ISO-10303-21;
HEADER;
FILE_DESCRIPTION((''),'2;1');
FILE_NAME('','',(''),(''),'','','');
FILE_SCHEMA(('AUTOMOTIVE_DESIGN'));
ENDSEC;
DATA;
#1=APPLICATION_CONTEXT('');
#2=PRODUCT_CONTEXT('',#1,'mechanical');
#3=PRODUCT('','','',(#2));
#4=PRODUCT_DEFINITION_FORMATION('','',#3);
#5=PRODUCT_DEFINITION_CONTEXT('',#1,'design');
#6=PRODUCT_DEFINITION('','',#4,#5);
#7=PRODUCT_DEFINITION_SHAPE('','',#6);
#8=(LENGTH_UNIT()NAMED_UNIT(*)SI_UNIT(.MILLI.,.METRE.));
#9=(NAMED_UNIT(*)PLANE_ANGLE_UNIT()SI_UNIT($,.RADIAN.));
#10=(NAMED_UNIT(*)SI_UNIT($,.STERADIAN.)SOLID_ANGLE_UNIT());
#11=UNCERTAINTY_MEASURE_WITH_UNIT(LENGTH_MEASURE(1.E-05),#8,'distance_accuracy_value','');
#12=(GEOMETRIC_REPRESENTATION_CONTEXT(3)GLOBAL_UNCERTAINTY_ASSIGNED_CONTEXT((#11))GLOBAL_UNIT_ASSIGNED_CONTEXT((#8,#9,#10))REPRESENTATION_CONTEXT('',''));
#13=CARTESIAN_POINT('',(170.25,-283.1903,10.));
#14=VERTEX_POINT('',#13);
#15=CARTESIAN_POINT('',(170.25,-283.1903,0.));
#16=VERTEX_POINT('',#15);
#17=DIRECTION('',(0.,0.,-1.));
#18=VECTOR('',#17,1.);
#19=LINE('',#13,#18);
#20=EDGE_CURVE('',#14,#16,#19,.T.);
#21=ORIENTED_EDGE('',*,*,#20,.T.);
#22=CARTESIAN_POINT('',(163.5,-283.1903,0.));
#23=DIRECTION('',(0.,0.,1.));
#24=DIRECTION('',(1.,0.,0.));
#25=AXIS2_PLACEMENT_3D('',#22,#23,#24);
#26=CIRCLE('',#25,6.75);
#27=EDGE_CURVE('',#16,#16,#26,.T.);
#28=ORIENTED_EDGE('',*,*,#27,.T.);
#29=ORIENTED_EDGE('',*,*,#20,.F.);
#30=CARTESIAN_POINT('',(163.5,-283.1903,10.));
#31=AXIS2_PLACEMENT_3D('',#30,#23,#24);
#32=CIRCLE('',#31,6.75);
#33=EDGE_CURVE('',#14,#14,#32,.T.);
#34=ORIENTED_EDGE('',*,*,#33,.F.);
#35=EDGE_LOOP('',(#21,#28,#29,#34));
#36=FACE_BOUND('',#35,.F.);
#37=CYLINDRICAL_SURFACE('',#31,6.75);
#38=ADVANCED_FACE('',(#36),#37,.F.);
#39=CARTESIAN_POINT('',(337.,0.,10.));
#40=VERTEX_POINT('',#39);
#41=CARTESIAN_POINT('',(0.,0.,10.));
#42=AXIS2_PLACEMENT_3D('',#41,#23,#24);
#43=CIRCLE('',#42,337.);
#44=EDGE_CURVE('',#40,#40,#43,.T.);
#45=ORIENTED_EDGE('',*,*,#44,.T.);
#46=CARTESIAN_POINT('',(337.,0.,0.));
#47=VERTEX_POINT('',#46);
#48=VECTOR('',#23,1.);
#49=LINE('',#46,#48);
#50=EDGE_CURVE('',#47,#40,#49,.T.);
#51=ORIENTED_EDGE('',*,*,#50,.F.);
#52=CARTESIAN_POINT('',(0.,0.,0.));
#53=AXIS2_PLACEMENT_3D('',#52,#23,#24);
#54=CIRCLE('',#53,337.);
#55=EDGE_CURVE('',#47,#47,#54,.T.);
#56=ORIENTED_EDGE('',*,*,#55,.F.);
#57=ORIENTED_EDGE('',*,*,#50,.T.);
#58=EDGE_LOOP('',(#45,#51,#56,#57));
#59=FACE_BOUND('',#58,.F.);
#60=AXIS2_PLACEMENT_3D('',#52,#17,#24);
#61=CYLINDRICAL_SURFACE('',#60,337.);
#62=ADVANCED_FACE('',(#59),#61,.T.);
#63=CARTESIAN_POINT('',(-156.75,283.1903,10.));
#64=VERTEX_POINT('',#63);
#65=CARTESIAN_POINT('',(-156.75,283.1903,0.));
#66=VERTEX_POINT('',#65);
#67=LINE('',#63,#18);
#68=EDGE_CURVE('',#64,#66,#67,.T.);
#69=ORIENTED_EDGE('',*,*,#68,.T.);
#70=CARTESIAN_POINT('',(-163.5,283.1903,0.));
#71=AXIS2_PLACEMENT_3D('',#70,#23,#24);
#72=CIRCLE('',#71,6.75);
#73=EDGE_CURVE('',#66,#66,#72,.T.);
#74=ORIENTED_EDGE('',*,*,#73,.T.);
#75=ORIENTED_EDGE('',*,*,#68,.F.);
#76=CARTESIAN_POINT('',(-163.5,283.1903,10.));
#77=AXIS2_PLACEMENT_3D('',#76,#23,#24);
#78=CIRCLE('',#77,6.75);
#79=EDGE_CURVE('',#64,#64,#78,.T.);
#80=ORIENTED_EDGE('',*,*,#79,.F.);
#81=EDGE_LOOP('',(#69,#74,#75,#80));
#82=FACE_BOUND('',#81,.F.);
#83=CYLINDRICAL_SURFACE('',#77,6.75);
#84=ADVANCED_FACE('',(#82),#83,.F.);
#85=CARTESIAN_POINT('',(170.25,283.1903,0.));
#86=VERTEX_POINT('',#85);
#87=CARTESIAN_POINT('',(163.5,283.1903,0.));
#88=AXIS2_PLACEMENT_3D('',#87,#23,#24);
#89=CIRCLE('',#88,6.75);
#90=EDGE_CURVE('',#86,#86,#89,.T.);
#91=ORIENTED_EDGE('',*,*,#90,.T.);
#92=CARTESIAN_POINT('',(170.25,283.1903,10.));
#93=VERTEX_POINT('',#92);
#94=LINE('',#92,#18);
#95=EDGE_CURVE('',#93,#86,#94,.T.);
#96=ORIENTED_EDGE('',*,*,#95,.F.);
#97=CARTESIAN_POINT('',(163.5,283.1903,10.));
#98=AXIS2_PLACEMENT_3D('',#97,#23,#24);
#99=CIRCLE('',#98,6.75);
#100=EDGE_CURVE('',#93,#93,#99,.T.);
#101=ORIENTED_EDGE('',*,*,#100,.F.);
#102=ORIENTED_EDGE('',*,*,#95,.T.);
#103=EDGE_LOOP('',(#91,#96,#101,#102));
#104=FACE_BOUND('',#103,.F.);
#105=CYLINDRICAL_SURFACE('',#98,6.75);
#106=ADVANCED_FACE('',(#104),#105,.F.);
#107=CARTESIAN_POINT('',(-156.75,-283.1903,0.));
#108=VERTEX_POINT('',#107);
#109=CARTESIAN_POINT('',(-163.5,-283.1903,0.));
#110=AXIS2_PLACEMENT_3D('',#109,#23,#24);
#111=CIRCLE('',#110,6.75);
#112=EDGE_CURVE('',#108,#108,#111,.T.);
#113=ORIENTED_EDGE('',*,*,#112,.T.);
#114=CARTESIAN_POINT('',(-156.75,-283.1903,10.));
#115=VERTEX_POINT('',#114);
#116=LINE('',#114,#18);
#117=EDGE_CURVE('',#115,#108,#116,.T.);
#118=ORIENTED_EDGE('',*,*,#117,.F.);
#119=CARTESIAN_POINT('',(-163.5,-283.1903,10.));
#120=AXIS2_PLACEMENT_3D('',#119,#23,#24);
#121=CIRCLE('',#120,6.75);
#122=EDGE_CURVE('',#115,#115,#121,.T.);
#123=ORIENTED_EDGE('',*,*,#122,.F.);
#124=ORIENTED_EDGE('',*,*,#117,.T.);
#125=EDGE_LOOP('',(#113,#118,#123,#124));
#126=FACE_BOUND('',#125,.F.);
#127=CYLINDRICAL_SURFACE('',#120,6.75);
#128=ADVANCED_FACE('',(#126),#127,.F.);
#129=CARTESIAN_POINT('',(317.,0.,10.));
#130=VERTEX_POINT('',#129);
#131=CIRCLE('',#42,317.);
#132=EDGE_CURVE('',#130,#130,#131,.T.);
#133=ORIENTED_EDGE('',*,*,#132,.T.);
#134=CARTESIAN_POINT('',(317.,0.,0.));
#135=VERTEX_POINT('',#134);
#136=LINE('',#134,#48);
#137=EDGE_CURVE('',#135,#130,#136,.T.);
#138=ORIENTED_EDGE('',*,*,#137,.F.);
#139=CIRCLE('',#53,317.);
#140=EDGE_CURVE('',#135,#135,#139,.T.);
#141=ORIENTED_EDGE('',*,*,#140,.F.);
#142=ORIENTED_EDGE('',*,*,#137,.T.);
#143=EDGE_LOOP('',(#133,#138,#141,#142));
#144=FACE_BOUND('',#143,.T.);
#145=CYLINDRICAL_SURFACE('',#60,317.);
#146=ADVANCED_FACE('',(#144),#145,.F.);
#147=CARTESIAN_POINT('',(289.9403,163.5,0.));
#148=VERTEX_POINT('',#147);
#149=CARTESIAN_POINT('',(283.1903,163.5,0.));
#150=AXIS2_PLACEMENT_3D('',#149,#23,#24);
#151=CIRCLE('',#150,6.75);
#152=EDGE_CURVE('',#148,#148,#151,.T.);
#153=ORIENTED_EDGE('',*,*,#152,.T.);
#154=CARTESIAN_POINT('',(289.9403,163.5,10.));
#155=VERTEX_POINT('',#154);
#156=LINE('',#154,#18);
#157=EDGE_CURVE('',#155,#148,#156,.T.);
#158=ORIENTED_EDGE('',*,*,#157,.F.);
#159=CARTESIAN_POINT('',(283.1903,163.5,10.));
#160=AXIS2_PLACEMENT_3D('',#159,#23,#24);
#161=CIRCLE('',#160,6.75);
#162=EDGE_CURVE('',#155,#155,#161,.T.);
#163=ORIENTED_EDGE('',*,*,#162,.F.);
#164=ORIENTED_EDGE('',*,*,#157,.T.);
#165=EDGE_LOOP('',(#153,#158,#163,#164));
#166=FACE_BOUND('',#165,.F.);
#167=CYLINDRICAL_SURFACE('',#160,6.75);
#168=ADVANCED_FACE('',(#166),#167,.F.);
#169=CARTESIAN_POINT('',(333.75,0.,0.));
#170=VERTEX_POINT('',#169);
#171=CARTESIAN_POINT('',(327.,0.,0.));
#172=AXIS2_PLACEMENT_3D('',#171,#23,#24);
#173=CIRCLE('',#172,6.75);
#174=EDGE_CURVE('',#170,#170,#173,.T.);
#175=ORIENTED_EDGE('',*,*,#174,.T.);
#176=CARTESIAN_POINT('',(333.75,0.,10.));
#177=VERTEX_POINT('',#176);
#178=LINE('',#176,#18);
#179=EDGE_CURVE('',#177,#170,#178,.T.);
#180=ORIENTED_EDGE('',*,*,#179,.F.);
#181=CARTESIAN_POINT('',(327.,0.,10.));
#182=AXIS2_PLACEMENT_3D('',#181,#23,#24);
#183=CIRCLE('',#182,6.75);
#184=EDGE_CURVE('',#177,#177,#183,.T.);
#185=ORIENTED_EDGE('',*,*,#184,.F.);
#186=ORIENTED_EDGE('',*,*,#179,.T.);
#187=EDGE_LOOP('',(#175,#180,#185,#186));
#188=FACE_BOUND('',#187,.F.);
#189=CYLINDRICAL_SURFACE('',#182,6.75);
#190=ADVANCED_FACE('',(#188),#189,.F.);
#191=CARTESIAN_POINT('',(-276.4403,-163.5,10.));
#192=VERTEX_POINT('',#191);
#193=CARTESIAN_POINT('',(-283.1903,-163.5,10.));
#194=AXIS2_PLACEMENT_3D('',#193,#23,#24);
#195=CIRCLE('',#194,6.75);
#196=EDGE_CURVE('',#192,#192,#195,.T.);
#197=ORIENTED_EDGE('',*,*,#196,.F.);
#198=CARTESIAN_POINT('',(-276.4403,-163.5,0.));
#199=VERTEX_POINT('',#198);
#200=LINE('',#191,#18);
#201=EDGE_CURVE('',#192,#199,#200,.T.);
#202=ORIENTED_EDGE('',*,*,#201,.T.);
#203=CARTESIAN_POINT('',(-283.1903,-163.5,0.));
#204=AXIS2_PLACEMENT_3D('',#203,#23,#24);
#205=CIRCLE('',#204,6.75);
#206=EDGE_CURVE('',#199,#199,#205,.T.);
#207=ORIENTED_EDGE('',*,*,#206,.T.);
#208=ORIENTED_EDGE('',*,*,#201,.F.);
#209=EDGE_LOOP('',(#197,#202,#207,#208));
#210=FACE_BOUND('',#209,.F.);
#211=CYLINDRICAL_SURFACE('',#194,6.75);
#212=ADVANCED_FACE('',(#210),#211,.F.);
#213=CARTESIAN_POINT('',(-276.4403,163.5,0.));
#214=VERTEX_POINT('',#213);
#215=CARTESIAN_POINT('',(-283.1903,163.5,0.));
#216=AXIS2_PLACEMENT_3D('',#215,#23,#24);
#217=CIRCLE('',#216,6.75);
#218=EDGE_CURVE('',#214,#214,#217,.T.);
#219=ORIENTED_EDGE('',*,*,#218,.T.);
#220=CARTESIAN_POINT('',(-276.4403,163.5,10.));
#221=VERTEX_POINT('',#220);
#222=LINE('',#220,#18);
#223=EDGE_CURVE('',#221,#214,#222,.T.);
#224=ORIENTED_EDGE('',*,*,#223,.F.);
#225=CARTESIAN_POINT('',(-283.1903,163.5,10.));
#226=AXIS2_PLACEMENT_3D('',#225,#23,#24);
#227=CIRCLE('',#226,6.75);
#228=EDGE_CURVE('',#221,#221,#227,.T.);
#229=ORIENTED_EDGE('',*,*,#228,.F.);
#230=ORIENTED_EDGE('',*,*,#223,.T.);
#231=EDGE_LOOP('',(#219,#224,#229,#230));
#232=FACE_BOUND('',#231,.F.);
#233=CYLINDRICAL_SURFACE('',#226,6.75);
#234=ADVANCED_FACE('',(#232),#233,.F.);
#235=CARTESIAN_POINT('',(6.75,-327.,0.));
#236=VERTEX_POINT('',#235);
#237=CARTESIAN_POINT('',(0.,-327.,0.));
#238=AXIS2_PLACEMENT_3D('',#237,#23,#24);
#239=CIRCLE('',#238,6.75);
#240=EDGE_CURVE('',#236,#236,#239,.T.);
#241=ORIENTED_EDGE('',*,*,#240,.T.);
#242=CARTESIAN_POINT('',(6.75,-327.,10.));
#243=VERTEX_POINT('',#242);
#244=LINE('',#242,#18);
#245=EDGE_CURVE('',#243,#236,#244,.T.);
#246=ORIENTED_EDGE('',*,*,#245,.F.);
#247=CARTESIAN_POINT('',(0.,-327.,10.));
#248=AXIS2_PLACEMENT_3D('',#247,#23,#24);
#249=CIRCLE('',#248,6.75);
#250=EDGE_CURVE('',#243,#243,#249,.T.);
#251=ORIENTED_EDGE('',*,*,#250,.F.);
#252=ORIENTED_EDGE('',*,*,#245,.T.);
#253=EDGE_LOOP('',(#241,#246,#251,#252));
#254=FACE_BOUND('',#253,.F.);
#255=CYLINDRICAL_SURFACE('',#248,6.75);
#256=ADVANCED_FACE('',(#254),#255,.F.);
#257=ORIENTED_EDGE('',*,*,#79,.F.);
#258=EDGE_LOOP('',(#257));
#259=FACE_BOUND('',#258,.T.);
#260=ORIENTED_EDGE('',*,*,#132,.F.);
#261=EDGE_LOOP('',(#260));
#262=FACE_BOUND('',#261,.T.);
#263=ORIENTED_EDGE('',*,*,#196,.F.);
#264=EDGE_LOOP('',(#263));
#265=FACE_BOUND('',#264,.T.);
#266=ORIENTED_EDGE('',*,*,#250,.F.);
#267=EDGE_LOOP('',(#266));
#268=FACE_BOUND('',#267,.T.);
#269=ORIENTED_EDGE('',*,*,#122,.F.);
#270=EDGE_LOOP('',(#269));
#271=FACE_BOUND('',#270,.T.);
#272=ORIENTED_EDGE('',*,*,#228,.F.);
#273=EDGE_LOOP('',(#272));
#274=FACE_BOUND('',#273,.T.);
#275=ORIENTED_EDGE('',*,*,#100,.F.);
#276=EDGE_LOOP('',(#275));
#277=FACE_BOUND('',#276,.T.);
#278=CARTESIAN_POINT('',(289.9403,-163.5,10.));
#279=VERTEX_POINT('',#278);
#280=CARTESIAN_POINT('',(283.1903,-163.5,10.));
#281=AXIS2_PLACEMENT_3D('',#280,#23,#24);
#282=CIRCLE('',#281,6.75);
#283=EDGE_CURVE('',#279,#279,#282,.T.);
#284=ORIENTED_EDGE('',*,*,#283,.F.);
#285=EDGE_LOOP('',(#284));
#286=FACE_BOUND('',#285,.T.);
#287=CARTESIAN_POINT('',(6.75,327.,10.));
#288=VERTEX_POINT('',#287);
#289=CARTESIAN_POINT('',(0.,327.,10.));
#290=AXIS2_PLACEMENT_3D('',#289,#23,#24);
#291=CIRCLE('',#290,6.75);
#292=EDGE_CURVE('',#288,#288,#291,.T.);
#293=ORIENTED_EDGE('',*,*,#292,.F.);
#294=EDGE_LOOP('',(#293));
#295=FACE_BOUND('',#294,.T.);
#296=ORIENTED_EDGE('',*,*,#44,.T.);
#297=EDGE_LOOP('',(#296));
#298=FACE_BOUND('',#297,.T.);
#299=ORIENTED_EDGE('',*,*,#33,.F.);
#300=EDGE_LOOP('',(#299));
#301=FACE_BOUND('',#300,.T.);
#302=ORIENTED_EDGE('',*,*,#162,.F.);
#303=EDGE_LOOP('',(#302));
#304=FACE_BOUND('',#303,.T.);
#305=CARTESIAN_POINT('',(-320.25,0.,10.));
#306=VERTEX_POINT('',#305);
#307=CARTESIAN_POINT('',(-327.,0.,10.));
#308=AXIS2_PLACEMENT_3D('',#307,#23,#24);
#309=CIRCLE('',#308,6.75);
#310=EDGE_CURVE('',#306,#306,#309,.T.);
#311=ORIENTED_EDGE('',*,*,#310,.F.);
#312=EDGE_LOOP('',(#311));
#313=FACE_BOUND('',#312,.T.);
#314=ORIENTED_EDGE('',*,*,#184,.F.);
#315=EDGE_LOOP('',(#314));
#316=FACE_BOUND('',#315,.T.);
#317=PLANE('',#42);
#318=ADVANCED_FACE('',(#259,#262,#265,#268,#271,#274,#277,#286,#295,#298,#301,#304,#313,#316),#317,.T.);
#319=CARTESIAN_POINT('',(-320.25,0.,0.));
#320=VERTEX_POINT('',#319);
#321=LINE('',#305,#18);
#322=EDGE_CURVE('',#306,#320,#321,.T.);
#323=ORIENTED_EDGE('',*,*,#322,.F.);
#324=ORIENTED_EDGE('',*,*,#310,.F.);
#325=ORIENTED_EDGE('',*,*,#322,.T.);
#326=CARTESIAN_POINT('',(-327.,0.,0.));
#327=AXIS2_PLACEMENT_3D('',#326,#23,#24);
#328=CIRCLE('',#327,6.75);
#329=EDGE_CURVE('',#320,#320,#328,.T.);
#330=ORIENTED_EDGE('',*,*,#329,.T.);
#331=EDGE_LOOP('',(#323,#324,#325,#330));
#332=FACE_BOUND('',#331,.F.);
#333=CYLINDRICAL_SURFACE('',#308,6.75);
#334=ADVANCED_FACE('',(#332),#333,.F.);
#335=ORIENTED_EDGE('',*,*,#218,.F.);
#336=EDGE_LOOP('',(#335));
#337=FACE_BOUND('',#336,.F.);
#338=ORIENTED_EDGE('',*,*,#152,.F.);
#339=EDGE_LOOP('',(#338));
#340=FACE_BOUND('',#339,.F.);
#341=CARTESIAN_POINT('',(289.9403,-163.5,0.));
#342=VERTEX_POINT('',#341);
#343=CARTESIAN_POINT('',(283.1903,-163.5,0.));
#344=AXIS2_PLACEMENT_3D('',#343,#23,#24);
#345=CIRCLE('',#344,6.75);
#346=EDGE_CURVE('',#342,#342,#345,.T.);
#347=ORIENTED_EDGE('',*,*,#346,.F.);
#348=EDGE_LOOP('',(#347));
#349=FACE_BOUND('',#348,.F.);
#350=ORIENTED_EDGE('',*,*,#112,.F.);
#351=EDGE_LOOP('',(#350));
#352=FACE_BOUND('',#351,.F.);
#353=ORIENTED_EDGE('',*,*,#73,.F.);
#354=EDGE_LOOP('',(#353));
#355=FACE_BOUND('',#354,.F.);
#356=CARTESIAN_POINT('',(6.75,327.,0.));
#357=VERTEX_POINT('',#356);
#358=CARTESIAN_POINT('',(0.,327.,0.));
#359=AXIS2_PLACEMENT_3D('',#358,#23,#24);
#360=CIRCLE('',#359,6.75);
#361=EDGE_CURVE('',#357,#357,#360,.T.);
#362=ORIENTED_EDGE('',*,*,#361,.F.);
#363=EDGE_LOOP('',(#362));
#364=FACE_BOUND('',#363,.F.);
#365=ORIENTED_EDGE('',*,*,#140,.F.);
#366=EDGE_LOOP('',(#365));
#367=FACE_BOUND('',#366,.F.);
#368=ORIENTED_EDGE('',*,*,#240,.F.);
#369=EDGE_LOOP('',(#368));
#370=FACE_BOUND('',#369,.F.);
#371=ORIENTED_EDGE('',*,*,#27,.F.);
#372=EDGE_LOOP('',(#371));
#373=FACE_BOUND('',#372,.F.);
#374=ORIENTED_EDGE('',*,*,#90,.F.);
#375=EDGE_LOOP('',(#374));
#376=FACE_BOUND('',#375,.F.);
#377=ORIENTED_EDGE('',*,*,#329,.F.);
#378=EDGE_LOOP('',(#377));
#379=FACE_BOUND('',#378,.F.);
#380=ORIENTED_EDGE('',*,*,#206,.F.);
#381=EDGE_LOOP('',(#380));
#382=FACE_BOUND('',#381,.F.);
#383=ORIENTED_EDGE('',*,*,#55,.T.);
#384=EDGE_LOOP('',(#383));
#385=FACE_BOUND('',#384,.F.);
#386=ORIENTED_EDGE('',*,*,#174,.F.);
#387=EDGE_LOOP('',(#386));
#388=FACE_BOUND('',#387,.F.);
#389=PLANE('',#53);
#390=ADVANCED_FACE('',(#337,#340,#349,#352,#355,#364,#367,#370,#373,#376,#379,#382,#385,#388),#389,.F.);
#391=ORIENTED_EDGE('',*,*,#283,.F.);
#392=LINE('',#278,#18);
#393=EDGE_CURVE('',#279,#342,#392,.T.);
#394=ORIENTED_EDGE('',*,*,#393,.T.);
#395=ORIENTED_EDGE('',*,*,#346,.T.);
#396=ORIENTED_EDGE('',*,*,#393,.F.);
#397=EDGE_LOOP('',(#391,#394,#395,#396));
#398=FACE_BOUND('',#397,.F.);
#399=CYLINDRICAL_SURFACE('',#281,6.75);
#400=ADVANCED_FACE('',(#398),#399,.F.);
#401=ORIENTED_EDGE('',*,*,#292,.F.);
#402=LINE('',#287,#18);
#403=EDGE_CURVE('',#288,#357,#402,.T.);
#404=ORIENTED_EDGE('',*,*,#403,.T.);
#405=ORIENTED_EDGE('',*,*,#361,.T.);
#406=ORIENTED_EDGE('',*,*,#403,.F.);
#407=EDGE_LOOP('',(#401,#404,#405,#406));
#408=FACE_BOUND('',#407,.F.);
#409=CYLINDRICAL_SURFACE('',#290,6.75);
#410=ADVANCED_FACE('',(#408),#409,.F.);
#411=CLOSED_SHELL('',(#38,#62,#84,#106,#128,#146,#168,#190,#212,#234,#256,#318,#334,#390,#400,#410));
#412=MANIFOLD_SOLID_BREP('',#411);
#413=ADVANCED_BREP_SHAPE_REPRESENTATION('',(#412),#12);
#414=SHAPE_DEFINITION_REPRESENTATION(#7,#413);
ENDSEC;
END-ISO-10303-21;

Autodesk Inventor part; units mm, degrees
ref_plane "YZ Plane" through (0, 0, 0) normal (1, 0, 0) x (0, 1, 0)
ref_plane "XZ Plane" through (0, 0, 0) normal (0, 1, 0) x (-1, 0, 0)
ref_plane "XY Plane" through (0, 0, 0) normal (0, 0, 1) x (1, 0, 0)
sketch "Boceto1" plane through (0, 0, 0) normal (0, 0, 1) x (1, 0, 0)
  circle A0 centre (0, 0) radius 337
  circle A1 centre (0, 0) radius 317
  dimension "d0" = 674
  dimension "d1" = 634
extrude "Extrusión1" add sketch "Boceto1" along normal blind 10
sketch "Boceto2" plane through (0, 0, 10) normal (0, 0, 1) x (1, 0, 0)
  circle A0 centre (0, 0) radius 327 construction
  circle A1 centre (0, 0) radius 337 projected
  circle A2 centre (0, 327) radius 6.75
  circle A3 centre (-163.5, 283.1903) radius 6.75
  circle A4 centre (-283.1903, 163.5) radius 6.75
  circle A5 centre (-327, 0) radius 6.75
  circle A6 centre (-283.1903, -163.5) radius 6.75
  circle A7 centre (-163.5, -283.1903) radius 6.75
  circle A8 centre (0, -327) radius 6.75
  circle A9 centre (163.5, -283.1903) radius 6.75
  circle A10 centre (283.1903, -163.5) radius 6.75
  circle A11 centre (327, 0) radius 6.75
  circle A12 centre (283.1903, 163.5) radius 6.75
  circle A13 centre (163.5, 283.1903) radius 6.75
  dimension "d4" = 10
  dimension "d5" = 13.5
  dimension "d8" = 360
extrude "Extrusión2" cut sketch "Boceto2" against normal through all contours A2 | A3 | A4 | A5 | A6 | A7 | A8 | A9 | A10 | A11 | A12 | A13
properties part number "Aro del tambor"
